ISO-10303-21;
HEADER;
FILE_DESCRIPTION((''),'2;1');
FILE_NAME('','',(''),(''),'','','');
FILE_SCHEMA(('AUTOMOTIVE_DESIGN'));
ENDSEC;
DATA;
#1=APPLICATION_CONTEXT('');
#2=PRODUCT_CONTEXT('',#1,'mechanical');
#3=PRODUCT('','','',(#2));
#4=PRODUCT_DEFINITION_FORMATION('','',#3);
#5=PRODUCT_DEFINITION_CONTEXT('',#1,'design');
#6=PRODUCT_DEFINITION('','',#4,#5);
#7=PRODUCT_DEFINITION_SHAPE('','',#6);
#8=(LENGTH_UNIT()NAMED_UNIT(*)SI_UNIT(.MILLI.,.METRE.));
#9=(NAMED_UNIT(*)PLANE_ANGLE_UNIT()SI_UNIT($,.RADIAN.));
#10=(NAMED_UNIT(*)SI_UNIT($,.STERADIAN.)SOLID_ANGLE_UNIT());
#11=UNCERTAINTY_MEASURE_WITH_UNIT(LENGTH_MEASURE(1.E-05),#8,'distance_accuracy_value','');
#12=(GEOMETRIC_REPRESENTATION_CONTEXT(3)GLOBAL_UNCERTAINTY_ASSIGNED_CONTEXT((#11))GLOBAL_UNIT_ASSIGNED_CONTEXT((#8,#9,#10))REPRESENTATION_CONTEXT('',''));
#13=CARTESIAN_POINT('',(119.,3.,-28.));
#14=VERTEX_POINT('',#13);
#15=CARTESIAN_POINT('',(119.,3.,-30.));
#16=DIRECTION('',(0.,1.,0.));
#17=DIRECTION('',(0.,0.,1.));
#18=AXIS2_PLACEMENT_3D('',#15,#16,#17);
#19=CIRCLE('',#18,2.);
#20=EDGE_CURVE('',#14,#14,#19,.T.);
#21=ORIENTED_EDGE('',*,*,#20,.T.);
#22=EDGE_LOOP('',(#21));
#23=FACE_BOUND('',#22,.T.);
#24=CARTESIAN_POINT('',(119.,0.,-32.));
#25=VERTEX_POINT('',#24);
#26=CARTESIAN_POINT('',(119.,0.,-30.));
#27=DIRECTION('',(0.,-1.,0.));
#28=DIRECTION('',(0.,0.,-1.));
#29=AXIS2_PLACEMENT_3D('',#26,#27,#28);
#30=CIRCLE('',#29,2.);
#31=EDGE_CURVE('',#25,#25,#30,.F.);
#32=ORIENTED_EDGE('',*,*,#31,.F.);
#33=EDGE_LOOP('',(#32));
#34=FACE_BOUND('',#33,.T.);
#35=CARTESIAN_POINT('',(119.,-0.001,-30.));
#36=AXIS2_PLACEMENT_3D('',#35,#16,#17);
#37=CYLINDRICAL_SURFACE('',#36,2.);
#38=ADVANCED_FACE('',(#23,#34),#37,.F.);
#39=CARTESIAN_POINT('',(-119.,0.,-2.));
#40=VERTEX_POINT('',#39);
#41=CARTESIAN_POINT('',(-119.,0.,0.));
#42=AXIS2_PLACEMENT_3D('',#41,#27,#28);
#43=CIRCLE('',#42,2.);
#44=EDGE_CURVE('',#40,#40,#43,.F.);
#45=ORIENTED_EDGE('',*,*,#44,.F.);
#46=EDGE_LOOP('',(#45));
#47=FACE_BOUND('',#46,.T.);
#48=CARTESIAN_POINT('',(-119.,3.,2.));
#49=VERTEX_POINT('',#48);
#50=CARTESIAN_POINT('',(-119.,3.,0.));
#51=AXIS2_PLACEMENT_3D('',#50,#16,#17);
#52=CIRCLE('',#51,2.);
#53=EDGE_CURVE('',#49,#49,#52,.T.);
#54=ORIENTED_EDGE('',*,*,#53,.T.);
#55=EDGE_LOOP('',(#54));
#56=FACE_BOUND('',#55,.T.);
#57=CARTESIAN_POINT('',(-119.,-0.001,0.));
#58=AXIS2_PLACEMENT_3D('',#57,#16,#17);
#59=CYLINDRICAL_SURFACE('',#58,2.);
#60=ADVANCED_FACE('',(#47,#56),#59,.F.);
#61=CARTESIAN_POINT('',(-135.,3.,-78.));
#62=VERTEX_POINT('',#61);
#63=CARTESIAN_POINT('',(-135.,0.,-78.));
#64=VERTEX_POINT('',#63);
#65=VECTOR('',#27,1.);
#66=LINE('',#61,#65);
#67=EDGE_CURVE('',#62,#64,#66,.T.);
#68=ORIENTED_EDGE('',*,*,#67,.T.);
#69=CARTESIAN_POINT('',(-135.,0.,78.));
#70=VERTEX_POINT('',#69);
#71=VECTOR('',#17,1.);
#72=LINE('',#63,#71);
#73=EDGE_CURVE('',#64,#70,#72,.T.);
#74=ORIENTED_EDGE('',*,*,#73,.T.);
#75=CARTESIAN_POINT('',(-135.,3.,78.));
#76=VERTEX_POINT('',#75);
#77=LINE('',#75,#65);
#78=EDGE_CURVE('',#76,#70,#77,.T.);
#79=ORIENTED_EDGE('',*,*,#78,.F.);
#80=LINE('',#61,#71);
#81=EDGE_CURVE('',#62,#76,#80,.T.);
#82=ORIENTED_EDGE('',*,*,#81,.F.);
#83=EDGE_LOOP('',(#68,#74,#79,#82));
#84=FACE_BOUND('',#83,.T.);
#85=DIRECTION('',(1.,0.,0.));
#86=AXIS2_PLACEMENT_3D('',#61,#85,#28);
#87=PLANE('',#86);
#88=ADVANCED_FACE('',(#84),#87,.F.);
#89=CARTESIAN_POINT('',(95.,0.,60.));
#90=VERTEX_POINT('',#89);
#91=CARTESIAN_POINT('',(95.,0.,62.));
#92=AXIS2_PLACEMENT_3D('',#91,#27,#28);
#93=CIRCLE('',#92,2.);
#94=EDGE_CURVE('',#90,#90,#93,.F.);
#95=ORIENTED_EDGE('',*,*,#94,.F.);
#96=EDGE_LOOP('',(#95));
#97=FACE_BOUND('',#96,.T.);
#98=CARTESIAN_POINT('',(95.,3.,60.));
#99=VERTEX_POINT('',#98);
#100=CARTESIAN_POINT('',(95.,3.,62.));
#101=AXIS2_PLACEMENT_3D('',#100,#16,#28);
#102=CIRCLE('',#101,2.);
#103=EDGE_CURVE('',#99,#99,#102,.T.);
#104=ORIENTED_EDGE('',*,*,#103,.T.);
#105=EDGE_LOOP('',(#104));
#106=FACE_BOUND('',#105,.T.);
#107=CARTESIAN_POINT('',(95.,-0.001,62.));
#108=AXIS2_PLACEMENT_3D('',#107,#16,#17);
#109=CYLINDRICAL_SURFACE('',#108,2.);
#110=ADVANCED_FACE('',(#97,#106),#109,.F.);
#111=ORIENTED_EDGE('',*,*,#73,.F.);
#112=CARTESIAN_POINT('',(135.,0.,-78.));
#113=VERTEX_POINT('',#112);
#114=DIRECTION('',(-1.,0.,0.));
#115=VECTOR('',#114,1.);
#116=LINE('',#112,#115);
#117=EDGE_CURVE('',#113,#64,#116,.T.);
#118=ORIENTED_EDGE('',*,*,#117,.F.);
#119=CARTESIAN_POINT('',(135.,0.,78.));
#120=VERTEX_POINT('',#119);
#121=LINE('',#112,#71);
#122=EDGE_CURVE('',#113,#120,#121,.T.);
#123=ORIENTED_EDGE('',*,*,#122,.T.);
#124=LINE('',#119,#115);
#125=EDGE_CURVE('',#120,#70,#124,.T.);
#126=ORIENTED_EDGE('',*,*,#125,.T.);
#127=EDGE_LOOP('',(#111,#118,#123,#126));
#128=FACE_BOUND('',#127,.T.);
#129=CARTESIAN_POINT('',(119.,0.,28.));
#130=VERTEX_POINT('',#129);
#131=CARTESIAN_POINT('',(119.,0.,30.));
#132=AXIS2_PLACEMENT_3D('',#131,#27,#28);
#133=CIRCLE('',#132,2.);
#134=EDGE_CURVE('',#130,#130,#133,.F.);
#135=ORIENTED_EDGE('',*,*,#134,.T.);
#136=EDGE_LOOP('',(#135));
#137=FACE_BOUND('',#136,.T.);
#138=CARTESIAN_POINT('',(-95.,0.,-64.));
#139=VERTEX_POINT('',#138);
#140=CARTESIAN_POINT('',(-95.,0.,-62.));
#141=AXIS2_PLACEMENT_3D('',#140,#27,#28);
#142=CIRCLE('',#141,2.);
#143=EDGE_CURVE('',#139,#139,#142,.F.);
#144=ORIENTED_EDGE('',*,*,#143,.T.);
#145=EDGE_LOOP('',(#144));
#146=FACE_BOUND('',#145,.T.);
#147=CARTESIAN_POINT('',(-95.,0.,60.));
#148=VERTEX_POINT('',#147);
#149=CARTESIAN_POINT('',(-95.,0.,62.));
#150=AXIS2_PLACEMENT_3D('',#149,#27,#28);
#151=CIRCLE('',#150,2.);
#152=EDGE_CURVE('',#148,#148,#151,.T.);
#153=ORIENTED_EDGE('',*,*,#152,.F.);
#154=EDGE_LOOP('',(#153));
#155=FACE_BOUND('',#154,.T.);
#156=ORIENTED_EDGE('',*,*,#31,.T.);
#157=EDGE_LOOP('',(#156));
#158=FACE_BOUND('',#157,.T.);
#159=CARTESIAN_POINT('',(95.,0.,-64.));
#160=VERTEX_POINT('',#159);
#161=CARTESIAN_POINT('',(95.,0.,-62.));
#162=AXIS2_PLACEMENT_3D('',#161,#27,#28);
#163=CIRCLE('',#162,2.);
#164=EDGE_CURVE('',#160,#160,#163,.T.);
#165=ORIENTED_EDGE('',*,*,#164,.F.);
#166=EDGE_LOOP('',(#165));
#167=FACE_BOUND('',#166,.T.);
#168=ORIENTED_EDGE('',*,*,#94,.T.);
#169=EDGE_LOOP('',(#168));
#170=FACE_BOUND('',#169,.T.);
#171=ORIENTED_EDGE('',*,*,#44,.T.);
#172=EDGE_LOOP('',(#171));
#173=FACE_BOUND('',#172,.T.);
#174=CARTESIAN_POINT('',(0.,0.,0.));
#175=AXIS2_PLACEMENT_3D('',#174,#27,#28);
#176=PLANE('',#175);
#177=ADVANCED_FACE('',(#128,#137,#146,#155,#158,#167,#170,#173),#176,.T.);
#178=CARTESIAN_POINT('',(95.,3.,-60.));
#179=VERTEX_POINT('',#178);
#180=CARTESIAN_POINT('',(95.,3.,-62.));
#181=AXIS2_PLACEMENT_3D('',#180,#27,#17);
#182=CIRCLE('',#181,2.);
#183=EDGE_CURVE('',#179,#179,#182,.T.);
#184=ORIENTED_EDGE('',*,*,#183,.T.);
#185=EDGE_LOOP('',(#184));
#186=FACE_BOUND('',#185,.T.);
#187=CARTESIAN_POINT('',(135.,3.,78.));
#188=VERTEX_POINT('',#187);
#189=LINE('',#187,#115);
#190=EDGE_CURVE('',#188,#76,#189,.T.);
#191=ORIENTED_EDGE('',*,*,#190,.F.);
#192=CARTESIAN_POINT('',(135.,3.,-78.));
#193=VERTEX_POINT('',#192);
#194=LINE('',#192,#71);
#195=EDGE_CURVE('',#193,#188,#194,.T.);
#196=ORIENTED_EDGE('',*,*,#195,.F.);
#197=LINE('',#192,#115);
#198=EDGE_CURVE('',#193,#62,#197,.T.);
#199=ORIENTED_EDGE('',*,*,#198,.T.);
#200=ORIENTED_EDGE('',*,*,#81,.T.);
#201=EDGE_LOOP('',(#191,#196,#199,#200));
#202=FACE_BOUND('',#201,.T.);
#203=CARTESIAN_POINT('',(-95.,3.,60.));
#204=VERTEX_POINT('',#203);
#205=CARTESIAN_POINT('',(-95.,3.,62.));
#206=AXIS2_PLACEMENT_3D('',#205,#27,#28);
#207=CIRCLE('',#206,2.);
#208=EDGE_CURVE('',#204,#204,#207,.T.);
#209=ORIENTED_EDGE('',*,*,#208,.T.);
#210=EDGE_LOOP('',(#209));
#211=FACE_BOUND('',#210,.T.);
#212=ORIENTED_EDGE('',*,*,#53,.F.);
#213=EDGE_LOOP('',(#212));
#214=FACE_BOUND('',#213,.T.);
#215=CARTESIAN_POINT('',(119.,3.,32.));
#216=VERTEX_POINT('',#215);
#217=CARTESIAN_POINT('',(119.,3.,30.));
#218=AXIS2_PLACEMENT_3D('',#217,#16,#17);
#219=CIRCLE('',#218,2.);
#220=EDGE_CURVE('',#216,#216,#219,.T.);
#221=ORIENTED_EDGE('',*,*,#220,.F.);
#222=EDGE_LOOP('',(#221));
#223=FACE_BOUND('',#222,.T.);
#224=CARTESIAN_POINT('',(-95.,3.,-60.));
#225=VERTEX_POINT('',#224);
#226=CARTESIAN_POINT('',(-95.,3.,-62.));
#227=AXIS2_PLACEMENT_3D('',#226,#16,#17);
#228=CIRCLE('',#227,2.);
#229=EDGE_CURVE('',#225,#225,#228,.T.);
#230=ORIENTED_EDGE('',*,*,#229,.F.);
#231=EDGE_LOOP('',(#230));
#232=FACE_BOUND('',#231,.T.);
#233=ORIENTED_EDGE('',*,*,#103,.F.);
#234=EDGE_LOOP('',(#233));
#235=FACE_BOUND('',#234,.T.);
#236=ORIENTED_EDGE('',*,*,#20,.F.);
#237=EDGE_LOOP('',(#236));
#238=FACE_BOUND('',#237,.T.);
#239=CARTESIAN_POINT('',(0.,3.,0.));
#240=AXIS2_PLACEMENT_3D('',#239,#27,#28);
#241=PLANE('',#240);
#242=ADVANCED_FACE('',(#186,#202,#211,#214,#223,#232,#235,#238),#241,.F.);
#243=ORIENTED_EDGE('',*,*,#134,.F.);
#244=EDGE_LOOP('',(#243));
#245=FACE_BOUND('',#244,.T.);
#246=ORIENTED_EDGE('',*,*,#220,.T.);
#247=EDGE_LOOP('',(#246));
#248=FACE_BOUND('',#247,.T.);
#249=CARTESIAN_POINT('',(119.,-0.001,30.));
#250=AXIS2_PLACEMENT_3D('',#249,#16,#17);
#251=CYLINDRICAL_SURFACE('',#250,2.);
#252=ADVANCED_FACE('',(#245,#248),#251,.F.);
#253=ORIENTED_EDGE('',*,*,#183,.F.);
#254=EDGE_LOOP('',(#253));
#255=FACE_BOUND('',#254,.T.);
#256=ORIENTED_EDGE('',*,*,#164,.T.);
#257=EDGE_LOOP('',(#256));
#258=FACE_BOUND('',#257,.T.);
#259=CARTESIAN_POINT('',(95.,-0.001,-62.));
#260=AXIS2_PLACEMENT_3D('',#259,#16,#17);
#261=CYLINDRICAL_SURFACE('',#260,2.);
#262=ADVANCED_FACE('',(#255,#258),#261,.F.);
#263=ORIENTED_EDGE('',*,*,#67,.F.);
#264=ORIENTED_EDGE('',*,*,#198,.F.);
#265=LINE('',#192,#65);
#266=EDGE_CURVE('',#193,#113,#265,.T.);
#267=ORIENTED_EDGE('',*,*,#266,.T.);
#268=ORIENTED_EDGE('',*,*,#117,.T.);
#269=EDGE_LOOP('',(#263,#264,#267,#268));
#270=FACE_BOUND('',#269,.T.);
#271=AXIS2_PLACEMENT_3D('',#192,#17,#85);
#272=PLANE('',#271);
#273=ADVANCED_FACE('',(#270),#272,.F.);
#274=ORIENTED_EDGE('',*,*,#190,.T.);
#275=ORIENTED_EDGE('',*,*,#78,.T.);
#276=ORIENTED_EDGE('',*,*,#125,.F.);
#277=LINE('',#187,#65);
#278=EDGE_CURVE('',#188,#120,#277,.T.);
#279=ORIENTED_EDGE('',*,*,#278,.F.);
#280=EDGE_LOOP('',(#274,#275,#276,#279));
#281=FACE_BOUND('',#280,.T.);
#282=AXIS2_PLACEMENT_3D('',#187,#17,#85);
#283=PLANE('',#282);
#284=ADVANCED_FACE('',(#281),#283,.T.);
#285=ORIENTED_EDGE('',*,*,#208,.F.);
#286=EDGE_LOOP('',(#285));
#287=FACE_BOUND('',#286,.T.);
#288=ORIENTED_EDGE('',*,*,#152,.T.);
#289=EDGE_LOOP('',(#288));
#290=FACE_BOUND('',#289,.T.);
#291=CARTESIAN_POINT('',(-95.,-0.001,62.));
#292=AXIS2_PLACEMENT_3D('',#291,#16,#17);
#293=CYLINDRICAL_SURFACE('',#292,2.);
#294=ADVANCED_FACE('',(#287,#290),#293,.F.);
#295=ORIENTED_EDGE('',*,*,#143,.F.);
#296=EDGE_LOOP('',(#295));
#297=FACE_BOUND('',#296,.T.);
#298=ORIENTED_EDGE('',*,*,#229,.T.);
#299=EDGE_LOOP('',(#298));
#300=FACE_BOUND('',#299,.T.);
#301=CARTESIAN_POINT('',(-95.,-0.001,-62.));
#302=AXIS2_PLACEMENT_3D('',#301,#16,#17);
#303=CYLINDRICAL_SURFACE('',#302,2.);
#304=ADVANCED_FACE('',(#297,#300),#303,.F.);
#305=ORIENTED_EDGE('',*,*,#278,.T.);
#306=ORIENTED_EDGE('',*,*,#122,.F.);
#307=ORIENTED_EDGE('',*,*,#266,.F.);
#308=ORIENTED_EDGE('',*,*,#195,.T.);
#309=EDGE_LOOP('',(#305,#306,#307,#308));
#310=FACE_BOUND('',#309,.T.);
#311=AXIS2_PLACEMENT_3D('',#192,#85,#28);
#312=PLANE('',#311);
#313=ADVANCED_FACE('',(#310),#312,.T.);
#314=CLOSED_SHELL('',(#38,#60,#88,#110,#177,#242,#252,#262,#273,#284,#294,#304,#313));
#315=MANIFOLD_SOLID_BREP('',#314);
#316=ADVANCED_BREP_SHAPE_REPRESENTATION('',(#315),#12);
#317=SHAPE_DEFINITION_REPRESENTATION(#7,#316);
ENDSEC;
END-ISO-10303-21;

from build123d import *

# Parameters (mm, degrees)
SKETCH1_W               = 270
SKETCH1_H               = 156
BOSS_EXTRUDE1_DEPTH     = 3
CUT_EXTRUDE1_REACH      = 5
SKETCH2_R               = 2
SKETCH3_R               = 2
CUT_EXTRUDE2_DEPTH      = 3
MIRROR4_COPY_1_SKETCH_R = 2
MIRROR4_COPY_1_DEPTH    = 3
CUT_EXTRUDE4_REACH      = 5
SKETCH5_R               = 2


with BuildPart() as part:
    # Sketch1 → Boss-Extrude1 (new body)
    with BuildSketch(Plane(origin=(0, 0, 0), x_dir=(1, 0, 0), z_dir=(0, 1, 0))):
        Rectangle(SKETCH1_W, SKETCH1_H)
    extrude(amount=BOSS_EXTRUDE1_DEPTH)

    # Sketch2 → Cut-Extrude1 (cut, up to next)
    with BuildSketch(Plane(origin=(0, 3, 0), x_dir=(1, 0, 0), z_dir=(0, 1, 0)), mode=Mode.PRIVATE) as cut_extrude1_sk1:
        with Locations(Location((-119, 0, 0), (0, 0, 270))):  # turned: the seam where the file's is
            Circle(SKETCH2_R)
    cut_extrude1_tool1 = extrude(cut_extrude1_sk1.sketch, amount=-CUT_EXTRUDE1_REACH, mode=Mode.PRIVATE) & part.part
    add(cut_extrude1_tool1.solids().sort_by_distance((-119, 3, 0))[0], mode=Mode.SUBTRACT)

    # Sketch3 → Cut-Extrude2 (cut)
    with BuildSketch(Plane(origin=(0, 3, 0), x_dir=(1, 0, 0), z_dir=(0, 1, 0))):
        with Locations(Location((-95, 62, 0), (0, 0, 270))):  # turned: the seam where the file's is
            Circle(SKETCH3_R)
    cut_extrude2 = extrude(amount=-CUT_EXTRUDE2_DEPTH, mode=Mode.SUBTRACT)

    # Mirror3: Cut-Extrude2 across plane
    add(cut_extrude2.mirror(Plane(origin=(0, 0, 0), x_dir=(0, 0, 1), z_dir=(1, 0, 0))), mode=Mode.SUBTRACT)

    # Mirror4: Cut-Extrude2 across plane
    add(cut_extrude2.mirror(Plane.XY), mode=Mode.SUBTRACT)

    # Mirror4 copy 1 sketch → Mirror4 copy 1 (cut)
    with BuildSketch(Plane(origin=(0, 3, 0), x_dir=(-1, 0, 0), z_dir=(0, 1, 0))):
        with Locations(Location((-95, 62, 0), (0, 0, 270))):  # turned: the seam where the file's is
            Circle(MIRROR4_COPY_1_SKETCH_R)
    extrude(amount=-MIRROR4_COPY_1_DEPTH, mode=Mode.SUBTRACT)

    # Sketch5 → Cut-Extrude4 (cut, up to next)
    with BuildSketch(Plane(origin=(0, 3, 0), x_dir=(1, 0, 0), z_dir=(0, 1, 0)), mode=Mode.PRIVATE) as cut_extrude4_sk1:
        with Locations(Location((119, 30, 0), (0, 0, 270))):  # turned: the seam where the file's is
            Circle(SKETCH5_R)
    cut_extrude4_tool1 = extrude(cut_extrude4_sk1.sketch, amount=-CUT_EXTRUDE4_REACH, mode=Mode.PRIVATE) & part.part
    add(cut_extrude4_tool1.solids().sort_by_distance((119, 3, -30))[0], mode=Mode.SUBTRACT)
    # Sketch5 → Cut-Extrude4 (cut, up to next)
    with BuildSketch(Plane(origin=(0, 3, 0), x_dir=(1, 0, 0), z_dir=(0, 1, 0)), mode=Mode.PRIVATE) as cut_extrude4_sk2:
        with Locations(Location((119, -30, 0), (0, 0, 270))):  # turned: the seam where the file's is
            Circle(SKETCH5_R)
    cut_extrude4_tool2 = extrude(cut_extrude4_sk2.sketch, amount=-CUT_EXTRUDE4_REACH, mode=Mode.PRIVATE) & part.part
    add(cut_extrude4_tool2.solids().sort_by_distance((119, 3, 30))[0], mode=Mode.SUBTRACT)


solid = part.part
